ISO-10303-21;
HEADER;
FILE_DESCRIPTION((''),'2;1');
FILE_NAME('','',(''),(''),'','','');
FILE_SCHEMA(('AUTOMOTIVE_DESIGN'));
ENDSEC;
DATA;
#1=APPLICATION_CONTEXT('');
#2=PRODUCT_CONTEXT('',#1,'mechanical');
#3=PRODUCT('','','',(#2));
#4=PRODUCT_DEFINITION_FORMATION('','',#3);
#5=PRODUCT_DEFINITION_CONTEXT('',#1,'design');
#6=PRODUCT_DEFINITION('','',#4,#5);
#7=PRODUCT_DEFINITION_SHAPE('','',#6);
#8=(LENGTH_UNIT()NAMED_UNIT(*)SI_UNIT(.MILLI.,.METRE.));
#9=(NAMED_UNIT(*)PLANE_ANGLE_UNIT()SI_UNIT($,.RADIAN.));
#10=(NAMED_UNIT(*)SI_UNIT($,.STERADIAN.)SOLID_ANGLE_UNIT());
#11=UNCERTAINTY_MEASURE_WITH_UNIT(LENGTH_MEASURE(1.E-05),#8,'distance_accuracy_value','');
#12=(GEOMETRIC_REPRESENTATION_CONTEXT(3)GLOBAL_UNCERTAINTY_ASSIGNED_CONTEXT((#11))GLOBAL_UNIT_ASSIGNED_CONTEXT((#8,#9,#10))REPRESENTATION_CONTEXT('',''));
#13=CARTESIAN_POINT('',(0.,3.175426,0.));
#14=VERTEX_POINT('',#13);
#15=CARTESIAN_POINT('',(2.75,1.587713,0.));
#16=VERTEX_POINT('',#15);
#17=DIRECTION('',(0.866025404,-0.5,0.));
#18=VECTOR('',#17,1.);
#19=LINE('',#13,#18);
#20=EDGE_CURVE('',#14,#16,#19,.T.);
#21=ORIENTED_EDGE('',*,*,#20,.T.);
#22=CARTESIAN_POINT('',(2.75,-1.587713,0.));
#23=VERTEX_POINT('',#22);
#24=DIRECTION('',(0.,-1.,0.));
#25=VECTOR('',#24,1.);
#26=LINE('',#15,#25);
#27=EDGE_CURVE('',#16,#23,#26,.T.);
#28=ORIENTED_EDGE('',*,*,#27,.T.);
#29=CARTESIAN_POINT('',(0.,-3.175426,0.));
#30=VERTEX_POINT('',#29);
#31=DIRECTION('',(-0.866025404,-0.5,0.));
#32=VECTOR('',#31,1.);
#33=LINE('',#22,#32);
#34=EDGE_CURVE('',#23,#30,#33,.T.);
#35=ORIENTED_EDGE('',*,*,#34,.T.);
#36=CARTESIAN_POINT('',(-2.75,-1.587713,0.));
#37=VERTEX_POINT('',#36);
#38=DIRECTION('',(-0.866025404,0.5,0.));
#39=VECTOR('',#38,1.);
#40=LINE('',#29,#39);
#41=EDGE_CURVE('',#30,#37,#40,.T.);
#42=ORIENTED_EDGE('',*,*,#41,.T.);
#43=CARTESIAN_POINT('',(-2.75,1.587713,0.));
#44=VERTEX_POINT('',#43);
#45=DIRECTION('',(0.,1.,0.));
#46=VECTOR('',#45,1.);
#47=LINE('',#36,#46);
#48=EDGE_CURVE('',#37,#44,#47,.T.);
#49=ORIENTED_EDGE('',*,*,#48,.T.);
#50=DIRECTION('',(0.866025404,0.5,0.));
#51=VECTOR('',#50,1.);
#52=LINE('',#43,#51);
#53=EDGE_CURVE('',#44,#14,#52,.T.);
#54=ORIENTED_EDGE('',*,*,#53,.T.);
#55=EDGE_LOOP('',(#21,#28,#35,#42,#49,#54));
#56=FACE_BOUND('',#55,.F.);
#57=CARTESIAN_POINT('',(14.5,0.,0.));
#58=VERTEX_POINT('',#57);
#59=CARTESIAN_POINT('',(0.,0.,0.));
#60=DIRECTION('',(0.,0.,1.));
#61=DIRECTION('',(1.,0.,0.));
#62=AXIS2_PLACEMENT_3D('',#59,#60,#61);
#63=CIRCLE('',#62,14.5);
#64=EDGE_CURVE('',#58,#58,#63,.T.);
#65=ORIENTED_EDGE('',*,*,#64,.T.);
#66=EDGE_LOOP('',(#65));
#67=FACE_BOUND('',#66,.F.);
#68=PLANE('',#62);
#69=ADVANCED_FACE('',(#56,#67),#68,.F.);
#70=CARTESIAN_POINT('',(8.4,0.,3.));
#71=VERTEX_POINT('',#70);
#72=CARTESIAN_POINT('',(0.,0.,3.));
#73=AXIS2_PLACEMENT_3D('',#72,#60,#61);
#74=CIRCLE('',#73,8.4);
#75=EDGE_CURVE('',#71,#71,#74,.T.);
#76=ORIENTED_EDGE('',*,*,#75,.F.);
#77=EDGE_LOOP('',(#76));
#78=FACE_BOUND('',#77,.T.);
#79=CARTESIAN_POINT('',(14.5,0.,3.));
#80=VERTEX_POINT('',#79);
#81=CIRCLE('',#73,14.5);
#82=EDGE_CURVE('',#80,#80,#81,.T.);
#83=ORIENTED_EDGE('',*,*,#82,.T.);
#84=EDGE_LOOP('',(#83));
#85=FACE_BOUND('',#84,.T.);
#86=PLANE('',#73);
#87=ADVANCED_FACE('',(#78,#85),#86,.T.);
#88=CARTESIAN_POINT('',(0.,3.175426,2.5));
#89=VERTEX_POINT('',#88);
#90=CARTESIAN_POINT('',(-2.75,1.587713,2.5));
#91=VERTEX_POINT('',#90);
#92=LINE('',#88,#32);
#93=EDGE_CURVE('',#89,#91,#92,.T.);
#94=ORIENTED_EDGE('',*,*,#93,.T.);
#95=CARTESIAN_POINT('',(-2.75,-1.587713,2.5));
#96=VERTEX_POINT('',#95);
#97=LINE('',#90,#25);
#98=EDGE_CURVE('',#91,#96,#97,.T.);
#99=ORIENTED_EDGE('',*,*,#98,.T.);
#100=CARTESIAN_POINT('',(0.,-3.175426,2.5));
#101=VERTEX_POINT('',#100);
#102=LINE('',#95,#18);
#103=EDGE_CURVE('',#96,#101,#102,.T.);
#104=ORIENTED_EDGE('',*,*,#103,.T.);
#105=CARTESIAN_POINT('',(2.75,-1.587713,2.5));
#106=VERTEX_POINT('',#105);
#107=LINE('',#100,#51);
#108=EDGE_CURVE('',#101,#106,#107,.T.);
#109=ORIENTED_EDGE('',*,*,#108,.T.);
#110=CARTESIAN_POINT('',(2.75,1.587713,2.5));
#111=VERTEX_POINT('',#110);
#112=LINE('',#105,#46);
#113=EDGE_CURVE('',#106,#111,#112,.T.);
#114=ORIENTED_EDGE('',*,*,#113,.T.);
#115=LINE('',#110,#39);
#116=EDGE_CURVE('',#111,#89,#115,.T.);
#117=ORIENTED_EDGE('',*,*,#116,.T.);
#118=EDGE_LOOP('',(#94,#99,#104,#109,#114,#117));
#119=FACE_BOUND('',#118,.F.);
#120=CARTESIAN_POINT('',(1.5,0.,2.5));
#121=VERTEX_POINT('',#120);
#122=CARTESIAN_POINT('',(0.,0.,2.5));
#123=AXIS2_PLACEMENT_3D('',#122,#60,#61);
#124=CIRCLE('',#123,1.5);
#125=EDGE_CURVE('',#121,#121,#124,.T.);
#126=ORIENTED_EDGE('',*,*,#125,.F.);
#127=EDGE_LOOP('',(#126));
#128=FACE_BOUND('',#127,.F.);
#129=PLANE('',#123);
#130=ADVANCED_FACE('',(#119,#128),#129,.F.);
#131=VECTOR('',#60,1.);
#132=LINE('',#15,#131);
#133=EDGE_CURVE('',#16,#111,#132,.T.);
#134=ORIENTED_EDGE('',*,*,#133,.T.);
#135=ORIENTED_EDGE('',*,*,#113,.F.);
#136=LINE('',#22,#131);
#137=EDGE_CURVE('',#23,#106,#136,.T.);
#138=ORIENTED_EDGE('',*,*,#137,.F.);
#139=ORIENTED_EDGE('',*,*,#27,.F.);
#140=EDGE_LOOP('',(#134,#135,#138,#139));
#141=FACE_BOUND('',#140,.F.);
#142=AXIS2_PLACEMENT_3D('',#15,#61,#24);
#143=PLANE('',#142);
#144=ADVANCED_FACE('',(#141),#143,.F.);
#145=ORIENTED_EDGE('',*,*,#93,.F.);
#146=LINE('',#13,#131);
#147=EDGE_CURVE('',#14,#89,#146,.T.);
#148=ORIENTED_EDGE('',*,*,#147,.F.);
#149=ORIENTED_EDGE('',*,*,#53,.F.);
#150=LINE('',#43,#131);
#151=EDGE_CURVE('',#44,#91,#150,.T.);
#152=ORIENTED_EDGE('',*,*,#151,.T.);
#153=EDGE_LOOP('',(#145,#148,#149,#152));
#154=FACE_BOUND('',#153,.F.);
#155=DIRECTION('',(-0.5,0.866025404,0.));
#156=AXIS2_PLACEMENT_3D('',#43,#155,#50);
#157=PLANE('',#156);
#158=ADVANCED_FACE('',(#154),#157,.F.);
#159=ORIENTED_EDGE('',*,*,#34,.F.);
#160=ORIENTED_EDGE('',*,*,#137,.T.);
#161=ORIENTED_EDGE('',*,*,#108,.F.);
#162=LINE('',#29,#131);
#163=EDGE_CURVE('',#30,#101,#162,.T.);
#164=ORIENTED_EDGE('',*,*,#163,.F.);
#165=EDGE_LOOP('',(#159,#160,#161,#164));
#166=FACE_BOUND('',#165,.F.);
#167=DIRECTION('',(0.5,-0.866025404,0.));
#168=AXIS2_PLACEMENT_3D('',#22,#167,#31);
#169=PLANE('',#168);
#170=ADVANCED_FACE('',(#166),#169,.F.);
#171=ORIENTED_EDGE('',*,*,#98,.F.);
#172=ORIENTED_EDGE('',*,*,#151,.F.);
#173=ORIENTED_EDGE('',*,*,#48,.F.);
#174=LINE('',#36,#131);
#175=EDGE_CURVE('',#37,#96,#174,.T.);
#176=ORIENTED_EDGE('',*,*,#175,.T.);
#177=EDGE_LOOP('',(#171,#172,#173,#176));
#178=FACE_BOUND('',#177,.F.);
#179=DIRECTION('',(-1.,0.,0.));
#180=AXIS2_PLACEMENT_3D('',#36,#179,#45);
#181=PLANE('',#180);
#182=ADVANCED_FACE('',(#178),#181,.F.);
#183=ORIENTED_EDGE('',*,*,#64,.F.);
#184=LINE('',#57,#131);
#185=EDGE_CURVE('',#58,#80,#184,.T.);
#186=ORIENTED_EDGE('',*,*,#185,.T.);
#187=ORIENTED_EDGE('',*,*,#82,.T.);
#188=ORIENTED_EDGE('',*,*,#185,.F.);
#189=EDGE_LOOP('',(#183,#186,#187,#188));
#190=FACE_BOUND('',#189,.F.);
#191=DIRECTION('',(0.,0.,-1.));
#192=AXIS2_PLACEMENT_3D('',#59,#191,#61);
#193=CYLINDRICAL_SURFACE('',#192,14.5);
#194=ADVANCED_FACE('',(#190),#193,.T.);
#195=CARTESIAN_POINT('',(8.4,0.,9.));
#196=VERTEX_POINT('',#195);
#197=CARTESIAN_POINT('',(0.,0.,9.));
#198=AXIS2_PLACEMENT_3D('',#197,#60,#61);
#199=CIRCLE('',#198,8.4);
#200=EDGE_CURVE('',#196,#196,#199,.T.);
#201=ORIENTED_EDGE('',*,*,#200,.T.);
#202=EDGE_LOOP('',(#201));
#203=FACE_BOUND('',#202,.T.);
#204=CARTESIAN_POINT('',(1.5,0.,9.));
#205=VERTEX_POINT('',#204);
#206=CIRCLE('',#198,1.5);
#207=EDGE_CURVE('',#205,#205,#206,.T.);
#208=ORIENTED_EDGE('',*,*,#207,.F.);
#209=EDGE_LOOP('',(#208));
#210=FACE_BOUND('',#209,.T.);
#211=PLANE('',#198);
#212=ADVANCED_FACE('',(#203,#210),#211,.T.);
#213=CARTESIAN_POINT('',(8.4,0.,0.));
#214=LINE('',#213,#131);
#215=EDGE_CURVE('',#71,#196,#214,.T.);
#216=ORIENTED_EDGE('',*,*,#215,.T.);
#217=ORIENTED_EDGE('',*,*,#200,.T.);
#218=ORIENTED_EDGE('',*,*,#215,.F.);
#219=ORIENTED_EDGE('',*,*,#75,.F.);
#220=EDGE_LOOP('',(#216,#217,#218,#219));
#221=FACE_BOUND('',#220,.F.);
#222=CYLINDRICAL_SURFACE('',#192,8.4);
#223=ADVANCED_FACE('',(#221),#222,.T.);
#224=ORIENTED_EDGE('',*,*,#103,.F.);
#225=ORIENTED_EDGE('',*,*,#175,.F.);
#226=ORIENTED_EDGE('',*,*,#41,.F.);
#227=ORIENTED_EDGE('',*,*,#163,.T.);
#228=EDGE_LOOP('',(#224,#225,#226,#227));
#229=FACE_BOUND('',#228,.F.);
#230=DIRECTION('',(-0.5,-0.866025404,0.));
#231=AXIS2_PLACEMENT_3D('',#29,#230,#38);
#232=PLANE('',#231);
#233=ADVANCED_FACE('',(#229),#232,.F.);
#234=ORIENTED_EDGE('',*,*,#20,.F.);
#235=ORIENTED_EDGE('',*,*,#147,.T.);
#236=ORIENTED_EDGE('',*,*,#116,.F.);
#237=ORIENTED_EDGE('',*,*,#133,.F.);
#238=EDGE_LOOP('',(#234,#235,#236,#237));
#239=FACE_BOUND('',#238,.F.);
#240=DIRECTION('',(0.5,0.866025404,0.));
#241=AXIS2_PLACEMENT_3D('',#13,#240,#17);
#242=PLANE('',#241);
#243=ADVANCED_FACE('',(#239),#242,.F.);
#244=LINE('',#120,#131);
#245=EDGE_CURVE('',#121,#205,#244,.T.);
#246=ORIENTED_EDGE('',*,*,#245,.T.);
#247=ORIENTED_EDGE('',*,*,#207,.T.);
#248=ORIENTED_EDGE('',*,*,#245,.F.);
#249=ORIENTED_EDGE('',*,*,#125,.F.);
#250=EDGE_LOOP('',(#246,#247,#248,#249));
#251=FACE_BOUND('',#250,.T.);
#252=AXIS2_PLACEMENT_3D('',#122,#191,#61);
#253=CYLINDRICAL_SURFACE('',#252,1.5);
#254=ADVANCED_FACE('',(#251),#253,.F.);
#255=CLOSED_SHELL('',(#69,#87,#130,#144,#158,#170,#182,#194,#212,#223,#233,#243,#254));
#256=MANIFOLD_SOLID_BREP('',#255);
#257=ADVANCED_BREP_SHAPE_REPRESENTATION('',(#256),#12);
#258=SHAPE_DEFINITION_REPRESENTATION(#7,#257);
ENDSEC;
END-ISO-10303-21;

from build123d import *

# Parameters (mm, degrees)
F0_R     = 14.5
F0_R_2   = 8.4
F1_DEPTH = 3
F2_DEPTH = 9
F3_START = 2.5
F0_R_3   = 1.5
F3_DEPTH = 6.5


with BuildPart() as f1:
    # F0 (on Top) → F1 (new body)
    with BuildSketch(Plane.XY):
        Circle(F0_R)
        Circle(F0_R_2, mode=Mode.SUBTRACT)
    extrude(amount=F1_DEPTH)

    # F0 (on Top) → F2 (join)
    with BuildSketch(Plane.XY):
        Circle(F0_R_2)
        Polygon((-2.75, -1.5877132403), (-2.75, 1.5877132403), (0, 3.1754264805), (2.75, 1.5877132403), (2.75, -1.5877132403), (0, -3.1754264805), align=None, mode=Mode.SUBTRACT)
    extrude(amount=F2_DEPTH)

    # F0 (on Top) → F3 (join)
    with BuildSketch(Plane.XY.offset(F3_START)):
        Polygon((0, 3.1754264805), (-2.75, 1.5877132403), (-2.75, -1.5877132403), (0, -3.1754264805), (2.75, -1.5877132403), (2.75, 1.5877132403), align=None)
        Circle(F0_R_3, mode=Mode.SUBTRACT)
    extrude(amount=F3_DEPTH)


solid = f1.part
